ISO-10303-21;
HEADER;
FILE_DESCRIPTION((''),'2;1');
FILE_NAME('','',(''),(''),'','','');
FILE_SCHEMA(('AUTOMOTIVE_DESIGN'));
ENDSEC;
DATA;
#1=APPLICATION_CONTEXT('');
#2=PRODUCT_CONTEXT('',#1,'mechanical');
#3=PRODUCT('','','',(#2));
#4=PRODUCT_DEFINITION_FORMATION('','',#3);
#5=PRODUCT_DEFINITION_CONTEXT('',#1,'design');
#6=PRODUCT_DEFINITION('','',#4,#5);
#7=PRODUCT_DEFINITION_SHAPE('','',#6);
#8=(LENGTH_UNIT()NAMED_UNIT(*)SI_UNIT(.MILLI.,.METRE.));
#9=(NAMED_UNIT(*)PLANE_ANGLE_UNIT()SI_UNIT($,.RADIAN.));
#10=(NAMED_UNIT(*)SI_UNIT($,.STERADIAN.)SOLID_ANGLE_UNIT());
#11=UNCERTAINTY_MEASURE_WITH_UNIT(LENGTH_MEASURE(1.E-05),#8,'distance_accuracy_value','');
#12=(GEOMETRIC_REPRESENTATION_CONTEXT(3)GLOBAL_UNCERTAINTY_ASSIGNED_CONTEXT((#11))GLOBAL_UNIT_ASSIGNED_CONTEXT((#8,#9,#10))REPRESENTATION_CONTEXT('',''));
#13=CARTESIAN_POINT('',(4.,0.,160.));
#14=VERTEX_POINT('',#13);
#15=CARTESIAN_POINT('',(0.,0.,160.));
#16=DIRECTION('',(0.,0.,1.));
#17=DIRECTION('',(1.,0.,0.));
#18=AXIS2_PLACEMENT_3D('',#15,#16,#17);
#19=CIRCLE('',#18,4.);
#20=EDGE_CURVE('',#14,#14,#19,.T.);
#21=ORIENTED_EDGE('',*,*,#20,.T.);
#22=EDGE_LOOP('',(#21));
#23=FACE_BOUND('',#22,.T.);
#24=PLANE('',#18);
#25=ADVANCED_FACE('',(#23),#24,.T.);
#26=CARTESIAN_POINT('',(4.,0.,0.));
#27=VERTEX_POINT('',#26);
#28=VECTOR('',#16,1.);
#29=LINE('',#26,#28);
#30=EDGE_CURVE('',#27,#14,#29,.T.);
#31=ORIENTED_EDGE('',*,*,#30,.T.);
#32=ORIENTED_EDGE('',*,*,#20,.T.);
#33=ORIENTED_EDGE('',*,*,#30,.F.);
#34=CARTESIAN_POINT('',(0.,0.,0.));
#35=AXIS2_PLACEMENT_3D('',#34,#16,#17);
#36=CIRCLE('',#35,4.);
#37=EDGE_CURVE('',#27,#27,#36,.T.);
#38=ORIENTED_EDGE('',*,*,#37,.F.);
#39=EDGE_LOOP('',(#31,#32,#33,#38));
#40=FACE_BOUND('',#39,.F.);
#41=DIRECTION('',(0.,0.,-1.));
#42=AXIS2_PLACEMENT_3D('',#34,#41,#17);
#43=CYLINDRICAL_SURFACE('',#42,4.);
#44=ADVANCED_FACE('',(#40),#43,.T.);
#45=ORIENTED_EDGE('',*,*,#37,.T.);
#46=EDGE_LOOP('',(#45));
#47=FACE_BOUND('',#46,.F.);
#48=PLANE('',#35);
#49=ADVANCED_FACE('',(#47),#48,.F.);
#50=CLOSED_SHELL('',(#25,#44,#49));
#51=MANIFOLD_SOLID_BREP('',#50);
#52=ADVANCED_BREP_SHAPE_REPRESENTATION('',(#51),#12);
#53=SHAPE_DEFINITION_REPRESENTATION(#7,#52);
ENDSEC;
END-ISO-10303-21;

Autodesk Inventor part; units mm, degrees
ref_plane "YZ Plane" through (0, 0, 0) normal (1, 0, 0) x (0, 1, 0)
ref_plane "XZ Plane" through (0, 0, 0) normal (0, 1, 0) x (-1, 0, 0)
ref_plane "XY Plane" through (0, 0, 0) normal (0, 0, 1) x (1, 0, 0)
sketch "Szkic1" plane through (0, 0, 0) normal (0, 0, 1) x (1, 0, 0)
  circle A0 centre (0, 0) radius 4
  dimension "d0" = 8
extrude "Wyciągnięcie proste1" add sketch "Szkic1" along normal blind 160
